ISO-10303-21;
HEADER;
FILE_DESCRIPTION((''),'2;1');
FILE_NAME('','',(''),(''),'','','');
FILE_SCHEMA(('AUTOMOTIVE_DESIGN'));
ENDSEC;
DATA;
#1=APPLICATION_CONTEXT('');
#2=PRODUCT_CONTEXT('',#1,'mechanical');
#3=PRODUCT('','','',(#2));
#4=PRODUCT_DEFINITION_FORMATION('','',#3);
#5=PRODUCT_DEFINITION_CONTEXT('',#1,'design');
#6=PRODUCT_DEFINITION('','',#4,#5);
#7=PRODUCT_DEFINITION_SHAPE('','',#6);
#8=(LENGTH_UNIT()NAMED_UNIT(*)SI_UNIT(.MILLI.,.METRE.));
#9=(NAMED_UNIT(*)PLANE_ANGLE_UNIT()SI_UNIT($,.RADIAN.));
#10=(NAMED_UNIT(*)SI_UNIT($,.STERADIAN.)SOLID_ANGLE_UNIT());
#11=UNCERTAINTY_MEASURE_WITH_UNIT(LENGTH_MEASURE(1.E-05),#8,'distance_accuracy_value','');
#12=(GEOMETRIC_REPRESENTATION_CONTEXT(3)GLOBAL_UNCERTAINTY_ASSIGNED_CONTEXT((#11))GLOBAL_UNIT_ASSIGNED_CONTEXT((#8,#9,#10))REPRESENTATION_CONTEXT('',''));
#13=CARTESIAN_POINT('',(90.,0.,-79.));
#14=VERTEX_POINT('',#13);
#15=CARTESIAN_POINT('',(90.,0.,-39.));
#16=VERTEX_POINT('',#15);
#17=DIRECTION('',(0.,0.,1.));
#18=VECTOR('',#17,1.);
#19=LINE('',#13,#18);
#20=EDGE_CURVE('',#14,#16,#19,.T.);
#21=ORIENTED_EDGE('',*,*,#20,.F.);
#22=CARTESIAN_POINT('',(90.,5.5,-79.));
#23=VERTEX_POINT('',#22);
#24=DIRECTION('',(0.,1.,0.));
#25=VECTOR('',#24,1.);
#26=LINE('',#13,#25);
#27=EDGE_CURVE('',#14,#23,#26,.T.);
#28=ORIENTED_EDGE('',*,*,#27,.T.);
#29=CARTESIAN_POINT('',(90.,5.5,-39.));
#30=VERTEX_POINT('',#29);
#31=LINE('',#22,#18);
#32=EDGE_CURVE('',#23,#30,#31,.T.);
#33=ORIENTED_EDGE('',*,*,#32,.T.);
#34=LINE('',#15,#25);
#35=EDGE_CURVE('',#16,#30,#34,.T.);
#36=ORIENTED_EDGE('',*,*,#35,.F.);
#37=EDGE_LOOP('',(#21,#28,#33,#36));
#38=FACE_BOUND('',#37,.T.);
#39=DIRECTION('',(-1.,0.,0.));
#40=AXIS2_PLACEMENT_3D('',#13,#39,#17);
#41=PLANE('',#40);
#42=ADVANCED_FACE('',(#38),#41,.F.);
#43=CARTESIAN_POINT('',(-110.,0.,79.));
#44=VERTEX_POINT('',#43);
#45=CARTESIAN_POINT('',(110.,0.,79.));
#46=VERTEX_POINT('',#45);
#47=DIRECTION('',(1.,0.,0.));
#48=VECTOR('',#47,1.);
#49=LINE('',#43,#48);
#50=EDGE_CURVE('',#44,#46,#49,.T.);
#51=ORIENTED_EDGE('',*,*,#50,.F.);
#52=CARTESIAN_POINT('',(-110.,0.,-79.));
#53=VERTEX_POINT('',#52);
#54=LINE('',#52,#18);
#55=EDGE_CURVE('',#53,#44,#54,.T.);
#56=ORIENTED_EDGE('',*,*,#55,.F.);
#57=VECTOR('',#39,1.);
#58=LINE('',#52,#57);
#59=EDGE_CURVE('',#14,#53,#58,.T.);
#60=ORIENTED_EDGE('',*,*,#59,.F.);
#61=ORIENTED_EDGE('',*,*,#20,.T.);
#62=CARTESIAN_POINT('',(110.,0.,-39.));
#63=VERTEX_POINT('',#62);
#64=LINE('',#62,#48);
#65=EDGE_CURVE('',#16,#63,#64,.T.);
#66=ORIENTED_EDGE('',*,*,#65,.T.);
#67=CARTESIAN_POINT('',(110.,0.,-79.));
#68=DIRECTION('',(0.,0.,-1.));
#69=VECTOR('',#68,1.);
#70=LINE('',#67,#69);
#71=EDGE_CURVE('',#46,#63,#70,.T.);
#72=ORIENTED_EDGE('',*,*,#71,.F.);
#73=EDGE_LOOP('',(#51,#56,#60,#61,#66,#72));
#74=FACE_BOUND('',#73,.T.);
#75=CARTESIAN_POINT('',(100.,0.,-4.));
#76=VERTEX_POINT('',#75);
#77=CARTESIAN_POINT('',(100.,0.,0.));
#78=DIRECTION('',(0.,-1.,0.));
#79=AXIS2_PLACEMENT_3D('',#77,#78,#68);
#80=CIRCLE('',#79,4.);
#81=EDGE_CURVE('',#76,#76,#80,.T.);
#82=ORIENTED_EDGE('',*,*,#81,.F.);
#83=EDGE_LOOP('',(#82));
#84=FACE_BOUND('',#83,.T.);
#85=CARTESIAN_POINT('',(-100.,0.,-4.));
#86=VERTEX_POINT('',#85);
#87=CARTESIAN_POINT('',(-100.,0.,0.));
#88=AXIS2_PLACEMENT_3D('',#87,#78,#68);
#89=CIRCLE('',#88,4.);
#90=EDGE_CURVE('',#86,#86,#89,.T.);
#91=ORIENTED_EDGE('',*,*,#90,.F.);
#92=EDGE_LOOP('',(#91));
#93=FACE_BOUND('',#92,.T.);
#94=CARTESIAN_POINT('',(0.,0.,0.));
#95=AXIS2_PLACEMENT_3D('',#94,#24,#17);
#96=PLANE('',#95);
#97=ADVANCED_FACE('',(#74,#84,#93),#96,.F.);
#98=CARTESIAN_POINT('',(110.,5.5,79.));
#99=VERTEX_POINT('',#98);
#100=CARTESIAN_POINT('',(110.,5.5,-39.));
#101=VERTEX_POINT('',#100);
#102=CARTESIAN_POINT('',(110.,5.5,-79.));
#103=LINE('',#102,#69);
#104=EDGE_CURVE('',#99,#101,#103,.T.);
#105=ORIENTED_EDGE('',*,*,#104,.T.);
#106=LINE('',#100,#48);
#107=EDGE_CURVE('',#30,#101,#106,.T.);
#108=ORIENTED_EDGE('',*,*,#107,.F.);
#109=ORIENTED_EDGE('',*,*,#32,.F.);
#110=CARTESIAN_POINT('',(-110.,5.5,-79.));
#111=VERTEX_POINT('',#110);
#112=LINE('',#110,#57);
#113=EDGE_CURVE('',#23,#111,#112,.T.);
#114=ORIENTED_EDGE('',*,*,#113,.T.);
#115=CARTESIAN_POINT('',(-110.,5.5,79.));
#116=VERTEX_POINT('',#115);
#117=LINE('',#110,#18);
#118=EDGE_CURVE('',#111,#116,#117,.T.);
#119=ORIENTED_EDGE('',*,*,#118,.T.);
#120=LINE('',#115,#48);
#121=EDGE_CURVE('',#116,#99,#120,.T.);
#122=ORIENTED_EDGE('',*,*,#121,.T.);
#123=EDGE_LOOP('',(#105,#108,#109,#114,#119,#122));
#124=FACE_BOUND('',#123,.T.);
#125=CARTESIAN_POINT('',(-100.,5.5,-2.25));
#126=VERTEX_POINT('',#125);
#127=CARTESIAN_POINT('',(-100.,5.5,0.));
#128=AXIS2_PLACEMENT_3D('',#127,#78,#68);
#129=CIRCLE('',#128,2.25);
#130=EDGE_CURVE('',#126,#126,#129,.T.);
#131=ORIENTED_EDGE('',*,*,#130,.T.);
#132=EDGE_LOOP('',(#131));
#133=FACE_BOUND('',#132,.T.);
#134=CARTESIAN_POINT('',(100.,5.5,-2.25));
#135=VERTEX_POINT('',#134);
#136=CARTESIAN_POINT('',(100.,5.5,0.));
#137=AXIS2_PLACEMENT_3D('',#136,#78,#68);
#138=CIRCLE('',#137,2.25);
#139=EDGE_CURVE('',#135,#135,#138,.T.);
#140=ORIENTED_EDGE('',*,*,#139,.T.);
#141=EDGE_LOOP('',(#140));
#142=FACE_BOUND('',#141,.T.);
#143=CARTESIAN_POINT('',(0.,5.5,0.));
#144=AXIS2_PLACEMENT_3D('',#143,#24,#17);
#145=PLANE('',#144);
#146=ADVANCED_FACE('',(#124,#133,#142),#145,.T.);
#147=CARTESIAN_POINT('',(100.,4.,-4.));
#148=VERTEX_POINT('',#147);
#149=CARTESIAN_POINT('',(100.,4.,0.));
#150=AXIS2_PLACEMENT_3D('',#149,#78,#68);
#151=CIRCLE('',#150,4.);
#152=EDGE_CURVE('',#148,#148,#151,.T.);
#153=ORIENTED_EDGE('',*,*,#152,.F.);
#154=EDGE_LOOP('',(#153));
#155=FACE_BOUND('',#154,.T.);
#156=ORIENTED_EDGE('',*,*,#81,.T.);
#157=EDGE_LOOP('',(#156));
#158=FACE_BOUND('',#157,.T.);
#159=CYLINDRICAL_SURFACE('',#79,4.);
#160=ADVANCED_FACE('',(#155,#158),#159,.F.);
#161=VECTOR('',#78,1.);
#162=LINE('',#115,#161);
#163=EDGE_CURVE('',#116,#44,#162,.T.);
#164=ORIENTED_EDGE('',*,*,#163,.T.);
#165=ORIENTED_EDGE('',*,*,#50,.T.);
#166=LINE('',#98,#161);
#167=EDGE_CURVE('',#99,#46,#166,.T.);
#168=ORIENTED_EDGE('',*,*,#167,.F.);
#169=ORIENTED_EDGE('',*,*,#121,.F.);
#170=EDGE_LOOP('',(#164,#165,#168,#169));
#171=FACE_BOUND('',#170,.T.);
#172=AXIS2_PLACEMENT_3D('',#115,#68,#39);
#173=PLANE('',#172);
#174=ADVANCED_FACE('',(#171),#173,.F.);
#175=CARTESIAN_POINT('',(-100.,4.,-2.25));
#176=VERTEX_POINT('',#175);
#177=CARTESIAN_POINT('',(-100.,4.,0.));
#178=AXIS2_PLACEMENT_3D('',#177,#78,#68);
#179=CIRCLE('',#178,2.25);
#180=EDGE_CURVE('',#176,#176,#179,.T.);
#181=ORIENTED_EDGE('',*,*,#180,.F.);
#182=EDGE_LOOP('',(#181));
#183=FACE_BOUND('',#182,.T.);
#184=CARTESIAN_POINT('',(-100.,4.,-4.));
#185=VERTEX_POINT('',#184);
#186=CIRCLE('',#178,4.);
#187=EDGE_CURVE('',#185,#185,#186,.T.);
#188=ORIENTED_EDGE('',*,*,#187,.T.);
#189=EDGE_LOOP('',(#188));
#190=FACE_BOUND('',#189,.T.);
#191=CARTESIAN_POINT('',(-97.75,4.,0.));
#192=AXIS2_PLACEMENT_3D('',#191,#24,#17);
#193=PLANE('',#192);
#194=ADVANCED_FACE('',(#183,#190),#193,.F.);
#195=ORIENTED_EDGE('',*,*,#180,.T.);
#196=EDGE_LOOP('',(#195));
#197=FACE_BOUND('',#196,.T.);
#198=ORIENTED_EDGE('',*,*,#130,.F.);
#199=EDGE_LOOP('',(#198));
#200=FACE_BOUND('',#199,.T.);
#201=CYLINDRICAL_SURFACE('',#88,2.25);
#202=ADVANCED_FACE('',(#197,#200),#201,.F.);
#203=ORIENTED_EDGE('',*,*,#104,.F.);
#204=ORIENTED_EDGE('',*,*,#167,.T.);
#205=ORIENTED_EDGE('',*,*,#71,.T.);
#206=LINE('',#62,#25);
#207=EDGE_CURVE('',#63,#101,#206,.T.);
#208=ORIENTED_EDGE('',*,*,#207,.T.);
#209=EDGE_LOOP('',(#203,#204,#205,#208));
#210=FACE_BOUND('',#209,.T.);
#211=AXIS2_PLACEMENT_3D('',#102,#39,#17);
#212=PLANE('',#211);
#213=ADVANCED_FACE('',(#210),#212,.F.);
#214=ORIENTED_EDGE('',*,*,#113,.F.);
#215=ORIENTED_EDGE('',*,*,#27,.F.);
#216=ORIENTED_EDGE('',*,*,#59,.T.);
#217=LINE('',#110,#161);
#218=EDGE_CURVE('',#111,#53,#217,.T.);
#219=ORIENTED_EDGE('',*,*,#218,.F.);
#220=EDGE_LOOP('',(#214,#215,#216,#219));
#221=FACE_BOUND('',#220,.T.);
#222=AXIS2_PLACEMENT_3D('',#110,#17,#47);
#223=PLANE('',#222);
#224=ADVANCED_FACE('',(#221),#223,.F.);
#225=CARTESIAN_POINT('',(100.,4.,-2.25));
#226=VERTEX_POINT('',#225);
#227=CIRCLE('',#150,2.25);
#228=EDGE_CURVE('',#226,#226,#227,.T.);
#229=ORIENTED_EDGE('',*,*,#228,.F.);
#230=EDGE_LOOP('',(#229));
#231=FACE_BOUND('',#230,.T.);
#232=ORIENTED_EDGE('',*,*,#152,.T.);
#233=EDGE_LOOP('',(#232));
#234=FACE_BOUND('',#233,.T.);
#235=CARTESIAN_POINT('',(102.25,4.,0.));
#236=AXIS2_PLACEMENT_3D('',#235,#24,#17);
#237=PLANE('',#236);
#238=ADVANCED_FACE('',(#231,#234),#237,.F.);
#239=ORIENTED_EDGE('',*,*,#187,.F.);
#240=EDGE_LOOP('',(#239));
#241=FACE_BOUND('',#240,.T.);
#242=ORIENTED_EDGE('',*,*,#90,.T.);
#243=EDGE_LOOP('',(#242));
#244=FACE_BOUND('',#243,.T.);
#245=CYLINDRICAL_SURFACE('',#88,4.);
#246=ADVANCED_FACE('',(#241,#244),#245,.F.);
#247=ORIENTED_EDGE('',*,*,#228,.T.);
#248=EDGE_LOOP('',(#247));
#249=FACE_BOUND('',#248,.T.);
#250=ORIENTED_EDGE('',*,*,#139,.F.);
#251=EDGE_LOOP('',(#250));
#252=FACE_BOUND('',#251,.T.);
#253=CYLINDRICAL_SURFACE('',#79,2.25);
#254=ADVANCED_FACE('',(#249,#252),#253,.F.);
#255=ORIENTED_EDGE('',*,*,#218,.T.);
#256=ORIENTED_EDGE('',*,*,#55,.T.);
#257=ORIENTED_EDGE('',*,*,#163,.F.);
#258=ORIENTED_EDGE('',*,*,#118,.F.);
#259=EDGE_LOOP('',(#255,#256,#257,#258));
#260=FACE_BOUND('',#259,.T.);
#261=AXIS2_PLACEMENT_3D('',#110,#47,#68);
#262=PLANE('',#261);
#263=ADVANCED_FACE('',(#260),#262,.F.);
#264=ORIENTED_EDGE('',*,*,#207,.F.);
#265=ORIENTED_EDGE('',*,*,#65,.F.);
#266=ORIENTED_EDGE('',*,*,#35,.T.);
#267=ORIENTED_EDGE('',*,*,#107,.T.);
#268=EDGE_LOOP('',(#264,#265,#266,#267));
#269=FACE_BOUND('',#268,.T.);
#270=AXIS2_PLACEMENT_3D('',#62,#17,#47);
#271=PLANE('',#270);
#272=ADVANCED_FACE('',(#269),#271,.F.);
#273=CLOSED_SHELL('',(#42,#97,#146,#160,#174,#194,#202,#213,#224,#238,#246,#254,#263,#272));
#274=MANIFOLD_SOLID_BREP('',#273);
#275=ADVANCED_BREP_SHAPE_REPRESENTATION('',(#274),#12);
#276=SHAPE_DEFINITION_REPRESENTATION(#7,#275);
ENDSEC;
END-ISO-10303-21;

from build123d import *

# Parameters (mm, degrees)
SKETCH1_W                      = 220
SKETCH1_H                      = 158
BOSS_EXTRUDE1_DEPTH            = 5.5
CBORE_FOR_M4_SHCS1_D           = 4.5
CBORE_FOR_M4_SHCS1_CBORE_D     = 8
CBORE_FOR_M4_SHCS1_CBORE_DEPTH = 4
SKETCH6_W                      = 20
SKETCH6_H                      = 40
CUT_EXTRUDE2_DEPTH             = 6.5


with BuildPart() as part:
    # Sketch1 → Boss-Extrude1 (new body)
    with BuildSketch(Plane(origin=(0, 0, 0), x_dir=(1, 0, 0), z_dir=(0, 1, 0))):
        Rectangle(SKETCH1_W, SKETCH1_H)
    extrude(amount=BOSS_EXTRUDE1_DEPTH)

    # CBORE for M4 SHCS1 (through all)
    with Locations(Plane.XZ):
        with Locations((100, 0)):
            cbore_for_m4_shcs1 = CounterBoreHole(CBORE_FOR_M4_SHCS1_D / 2, CBORE_FOR_M4_SHCS1_CBORE_D / 2, CBORE_FOR_M4_SHCS1_CBORE_DEPTH)

    # Mirror2: CBORE for M4 SHCS1 across plane
    add(cbore_for_m4_shcs1.mirror(Plane(origin=(0, 0, 0), x_dir=(0, 0, 1), z_dir=(1, 0, 0))), mode=Mode.SUBTRACT)

    # Sketch6 → Cut-Extrude2 (cut, through all)
    with BuildSketch(Plane(origin=(0, 5.5, 0), x_dir=(1, 0, 0), z_dir=(0, 1, 0))):
        with Locations((100, 59)):
            Rectangle(SKETCH6_W, SKETCH6_H)
    extrude(amount=-CUT_EXTRUDE2_DEPTH, mode=Mode.SUBTRACT)


solid = part.part
